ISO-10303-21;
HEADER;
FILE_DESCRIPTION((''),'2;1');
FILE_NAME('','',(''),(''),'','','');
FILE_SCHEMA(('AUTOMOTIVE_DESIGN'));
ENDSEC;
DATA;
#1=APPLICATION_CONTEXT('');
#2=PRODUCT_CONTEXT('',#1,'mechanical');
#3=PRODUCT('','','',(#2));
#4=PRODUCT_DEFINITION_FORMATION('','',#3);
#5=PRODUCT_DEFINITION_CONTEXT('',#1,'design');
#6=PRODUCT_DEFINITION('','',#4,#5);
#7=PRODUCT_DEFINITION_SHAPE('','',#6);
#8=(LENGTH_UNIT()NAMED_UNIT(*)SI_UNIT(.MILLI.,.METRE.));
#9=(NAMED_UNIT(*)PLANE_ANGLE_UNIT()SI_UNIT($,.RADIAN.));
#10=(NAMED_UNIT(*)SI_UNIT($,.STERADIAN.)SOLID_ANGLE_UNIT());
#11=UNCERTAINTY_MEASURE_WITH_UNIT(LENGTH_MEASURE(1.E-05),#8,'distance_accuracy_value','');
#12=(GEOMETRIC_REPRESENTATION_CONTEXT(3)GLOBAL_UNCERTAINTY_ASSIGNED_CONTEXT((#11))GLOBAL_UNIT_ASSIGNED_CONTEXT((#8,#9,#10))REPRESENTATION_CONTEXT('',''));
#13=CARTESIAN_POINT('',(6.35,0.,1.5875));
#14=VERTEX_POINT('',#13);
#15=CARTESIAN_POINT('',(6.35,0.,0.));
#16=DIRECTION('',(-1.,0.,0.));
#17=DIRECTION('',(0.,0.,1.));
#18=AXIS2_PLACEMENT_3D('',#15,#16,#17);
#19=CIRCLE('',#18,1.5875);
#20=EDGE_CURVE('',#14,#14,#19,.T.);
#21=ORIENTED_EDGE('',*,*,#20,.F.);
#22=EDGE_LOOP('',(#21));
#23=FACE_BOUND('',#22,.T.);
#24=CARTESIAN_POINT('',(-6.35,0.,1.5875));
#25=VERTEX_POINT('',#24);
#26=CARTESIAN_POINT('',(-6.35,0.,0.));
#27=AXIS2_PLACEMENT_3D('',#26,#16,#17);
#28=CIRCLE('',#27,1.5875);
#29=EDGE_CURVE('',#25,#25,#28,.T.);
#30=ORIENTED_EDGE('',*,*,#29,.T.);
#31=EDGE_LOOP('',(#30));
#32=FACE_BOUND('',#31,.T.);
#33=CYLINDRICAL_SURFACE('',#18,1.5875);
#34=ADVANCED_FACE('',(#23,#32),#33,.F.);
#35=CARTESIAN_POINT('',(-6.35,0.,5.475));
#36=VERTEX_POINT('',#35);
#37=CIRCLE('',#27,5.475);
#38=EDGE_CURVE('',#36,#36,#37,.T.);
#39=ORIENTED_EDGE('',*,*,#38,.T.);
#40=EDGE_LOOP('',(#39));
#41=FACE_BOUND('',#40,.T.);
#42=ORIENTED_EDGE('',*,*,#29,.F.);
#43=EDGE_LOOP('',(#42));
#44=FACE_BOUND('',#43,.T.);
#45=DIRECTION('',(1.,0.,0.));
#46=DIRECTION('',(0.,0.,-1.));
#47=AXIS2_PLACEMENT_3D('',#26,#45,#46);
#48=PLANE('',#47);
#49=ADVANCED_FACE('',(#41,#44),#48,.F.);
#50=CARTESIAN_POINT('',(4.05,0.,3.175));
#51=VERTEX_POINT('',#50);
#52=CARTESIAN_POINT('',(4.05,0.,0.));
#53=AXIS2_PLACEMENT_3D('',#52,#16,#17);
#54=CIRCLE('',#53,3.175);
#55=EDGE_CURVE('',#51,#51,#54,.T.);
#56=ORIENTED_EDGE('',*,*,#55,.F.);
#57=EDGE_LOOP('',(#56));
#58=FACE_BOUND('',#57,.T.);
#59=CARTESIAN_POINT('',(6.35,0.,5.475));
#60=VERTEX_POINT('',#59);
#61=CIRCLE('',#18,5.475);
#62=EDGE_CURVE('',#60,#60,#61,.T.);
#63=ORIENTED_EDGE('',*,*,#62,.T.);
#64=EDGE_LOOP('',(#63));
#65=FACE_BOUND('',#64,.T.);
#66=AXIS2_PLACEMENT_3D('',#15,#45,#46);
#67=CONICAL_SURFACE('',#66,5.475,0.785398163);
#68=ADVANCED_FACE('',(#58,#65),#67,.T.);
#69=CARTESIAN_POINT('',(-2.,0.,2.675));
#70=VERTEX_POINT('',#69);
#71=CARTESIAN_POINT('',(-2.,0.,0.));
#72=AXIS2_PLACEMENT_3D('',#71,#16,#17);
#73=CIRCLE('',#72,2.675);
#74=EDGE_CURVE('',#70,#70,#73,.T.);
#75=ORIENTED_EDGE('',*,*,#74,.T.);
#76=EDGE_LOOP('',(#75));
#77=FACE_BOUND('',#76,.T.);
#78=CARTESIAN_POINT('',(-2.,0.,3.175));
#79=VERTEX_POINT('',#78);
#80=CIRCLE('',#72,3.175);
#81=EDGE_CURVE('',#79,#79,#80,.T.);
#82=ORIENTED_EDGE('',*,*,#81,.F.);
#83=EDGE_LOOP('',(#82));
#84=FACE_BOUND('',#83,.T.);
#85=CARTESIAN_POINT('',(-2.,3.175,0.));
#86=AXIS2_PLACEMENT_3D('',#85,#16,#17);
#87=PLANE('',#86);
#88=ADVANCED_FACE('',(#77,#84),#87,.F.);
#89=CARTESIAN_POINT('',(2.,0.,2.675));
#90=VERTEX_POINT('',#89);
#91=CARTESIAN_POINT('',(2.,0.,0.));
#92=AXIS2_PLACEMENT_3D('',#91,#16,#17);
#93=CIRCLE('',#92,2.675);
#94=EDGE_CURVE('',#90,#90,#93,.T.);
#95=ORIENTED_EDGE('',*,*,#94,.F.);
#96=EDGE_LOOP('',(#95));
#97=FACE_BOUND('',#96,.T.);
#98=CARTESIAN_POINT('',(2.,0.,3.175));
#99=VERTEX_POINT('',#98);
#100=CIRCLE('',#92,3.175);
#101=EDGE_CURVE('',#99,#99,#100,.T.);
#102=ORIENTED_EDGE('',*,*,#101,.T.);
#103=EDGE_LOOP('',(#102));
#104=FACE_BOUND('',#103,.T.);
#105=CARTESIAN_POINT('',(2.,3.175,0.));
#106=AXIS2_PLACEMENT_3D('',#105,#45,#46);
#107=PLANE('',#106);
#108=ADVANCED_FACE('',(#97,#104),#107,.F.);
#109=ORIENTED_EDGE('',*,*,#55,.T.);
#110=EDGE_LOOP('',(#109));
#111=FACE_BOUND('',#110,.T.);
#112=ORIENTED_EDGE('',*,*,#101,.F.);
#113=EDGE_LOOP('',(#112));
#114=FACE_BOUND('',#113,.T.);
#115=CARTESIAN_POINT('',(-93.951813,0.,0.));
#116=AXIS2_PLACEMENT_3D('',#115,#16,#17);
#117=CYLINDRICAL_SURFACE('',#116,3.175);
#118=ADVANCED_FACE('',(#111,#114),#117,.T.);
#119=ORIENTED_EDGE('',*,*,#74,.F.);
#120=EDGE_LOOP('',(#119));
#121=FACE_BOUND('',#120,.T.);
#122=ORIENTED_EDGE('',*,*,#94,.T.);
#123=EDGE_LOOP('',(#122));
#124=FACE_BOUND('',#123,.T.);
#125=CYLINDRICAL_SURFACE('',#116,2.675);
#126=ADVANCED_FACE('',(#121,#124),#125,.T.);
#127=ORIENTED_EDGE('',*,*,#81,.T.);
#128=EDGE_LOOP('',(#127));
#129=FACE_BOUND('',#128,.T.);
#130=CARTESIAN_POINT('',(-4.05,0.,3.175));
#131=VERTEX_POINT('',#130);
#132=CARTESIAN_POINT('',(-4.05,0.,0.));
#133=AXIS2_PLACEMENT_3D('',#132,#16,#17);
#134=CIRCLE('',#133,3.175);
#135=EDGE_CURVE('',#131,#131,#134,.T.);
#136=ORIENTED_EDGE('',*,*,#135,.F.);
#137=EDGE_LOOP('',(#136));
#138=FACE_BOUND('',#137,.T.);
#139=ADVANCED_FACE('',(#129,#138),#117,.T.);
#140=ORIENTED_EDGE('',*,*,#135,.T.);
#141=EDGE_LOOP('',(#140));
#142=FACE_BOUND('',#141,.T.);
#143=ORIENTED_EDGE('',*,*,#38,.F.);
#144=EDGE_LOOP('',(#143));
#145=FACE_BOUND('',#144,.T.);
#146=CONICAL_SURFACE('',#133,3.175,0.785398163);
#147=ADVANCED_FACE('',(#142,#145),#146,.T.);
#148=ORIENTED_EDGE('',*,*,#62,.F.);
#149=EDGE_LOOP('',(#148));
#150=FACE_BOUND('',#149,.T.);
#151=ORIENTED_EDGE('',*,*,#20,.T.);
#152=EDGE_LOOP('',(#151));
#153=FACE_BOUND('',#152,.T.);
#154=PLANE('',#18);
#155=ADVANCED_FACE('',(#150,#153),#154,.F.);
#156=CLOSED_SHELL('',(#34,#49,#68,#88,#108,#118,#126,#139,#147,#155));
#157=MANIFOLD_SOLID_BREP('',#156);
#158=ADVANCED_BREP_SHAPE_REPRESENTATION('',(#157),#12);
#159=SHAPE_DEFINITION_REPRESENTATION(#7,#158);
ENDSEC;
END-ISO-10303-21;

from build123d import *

# Parameters (mm, degrees)
SKETCH2_R          = 1.5875
CUT_EXTRUDE1_DEPTH = 13.7


with BuildPart() as part:
    # Sketch1 → Revolve1 (revolve)
    with BuildSketch(Plane.XY):
        Polygon((-6.35, 0), (-6.35, 5.475), (-4.05, 3.175), (-2, 3.175), (-2, 2.675), (2, 2.675), (2, 3.175), (4.05, 3.175), (6.35, 5.475), (6.35, 0), align=None)
    revolve(axis=Axis((-93.951812963, 0, 0), (1, 0, 0)))

    # Sketch2 → Cut-Extrude1 (cut, through all)
    with BuildSketch(Plane.ZY.offset(6.35)):
        Circle(SKETCH2_R)
    extrude(amount=-CUT_EXTRUDE1_DEPTH, mode=Mode.SUBTRACT)


solid = part.part
